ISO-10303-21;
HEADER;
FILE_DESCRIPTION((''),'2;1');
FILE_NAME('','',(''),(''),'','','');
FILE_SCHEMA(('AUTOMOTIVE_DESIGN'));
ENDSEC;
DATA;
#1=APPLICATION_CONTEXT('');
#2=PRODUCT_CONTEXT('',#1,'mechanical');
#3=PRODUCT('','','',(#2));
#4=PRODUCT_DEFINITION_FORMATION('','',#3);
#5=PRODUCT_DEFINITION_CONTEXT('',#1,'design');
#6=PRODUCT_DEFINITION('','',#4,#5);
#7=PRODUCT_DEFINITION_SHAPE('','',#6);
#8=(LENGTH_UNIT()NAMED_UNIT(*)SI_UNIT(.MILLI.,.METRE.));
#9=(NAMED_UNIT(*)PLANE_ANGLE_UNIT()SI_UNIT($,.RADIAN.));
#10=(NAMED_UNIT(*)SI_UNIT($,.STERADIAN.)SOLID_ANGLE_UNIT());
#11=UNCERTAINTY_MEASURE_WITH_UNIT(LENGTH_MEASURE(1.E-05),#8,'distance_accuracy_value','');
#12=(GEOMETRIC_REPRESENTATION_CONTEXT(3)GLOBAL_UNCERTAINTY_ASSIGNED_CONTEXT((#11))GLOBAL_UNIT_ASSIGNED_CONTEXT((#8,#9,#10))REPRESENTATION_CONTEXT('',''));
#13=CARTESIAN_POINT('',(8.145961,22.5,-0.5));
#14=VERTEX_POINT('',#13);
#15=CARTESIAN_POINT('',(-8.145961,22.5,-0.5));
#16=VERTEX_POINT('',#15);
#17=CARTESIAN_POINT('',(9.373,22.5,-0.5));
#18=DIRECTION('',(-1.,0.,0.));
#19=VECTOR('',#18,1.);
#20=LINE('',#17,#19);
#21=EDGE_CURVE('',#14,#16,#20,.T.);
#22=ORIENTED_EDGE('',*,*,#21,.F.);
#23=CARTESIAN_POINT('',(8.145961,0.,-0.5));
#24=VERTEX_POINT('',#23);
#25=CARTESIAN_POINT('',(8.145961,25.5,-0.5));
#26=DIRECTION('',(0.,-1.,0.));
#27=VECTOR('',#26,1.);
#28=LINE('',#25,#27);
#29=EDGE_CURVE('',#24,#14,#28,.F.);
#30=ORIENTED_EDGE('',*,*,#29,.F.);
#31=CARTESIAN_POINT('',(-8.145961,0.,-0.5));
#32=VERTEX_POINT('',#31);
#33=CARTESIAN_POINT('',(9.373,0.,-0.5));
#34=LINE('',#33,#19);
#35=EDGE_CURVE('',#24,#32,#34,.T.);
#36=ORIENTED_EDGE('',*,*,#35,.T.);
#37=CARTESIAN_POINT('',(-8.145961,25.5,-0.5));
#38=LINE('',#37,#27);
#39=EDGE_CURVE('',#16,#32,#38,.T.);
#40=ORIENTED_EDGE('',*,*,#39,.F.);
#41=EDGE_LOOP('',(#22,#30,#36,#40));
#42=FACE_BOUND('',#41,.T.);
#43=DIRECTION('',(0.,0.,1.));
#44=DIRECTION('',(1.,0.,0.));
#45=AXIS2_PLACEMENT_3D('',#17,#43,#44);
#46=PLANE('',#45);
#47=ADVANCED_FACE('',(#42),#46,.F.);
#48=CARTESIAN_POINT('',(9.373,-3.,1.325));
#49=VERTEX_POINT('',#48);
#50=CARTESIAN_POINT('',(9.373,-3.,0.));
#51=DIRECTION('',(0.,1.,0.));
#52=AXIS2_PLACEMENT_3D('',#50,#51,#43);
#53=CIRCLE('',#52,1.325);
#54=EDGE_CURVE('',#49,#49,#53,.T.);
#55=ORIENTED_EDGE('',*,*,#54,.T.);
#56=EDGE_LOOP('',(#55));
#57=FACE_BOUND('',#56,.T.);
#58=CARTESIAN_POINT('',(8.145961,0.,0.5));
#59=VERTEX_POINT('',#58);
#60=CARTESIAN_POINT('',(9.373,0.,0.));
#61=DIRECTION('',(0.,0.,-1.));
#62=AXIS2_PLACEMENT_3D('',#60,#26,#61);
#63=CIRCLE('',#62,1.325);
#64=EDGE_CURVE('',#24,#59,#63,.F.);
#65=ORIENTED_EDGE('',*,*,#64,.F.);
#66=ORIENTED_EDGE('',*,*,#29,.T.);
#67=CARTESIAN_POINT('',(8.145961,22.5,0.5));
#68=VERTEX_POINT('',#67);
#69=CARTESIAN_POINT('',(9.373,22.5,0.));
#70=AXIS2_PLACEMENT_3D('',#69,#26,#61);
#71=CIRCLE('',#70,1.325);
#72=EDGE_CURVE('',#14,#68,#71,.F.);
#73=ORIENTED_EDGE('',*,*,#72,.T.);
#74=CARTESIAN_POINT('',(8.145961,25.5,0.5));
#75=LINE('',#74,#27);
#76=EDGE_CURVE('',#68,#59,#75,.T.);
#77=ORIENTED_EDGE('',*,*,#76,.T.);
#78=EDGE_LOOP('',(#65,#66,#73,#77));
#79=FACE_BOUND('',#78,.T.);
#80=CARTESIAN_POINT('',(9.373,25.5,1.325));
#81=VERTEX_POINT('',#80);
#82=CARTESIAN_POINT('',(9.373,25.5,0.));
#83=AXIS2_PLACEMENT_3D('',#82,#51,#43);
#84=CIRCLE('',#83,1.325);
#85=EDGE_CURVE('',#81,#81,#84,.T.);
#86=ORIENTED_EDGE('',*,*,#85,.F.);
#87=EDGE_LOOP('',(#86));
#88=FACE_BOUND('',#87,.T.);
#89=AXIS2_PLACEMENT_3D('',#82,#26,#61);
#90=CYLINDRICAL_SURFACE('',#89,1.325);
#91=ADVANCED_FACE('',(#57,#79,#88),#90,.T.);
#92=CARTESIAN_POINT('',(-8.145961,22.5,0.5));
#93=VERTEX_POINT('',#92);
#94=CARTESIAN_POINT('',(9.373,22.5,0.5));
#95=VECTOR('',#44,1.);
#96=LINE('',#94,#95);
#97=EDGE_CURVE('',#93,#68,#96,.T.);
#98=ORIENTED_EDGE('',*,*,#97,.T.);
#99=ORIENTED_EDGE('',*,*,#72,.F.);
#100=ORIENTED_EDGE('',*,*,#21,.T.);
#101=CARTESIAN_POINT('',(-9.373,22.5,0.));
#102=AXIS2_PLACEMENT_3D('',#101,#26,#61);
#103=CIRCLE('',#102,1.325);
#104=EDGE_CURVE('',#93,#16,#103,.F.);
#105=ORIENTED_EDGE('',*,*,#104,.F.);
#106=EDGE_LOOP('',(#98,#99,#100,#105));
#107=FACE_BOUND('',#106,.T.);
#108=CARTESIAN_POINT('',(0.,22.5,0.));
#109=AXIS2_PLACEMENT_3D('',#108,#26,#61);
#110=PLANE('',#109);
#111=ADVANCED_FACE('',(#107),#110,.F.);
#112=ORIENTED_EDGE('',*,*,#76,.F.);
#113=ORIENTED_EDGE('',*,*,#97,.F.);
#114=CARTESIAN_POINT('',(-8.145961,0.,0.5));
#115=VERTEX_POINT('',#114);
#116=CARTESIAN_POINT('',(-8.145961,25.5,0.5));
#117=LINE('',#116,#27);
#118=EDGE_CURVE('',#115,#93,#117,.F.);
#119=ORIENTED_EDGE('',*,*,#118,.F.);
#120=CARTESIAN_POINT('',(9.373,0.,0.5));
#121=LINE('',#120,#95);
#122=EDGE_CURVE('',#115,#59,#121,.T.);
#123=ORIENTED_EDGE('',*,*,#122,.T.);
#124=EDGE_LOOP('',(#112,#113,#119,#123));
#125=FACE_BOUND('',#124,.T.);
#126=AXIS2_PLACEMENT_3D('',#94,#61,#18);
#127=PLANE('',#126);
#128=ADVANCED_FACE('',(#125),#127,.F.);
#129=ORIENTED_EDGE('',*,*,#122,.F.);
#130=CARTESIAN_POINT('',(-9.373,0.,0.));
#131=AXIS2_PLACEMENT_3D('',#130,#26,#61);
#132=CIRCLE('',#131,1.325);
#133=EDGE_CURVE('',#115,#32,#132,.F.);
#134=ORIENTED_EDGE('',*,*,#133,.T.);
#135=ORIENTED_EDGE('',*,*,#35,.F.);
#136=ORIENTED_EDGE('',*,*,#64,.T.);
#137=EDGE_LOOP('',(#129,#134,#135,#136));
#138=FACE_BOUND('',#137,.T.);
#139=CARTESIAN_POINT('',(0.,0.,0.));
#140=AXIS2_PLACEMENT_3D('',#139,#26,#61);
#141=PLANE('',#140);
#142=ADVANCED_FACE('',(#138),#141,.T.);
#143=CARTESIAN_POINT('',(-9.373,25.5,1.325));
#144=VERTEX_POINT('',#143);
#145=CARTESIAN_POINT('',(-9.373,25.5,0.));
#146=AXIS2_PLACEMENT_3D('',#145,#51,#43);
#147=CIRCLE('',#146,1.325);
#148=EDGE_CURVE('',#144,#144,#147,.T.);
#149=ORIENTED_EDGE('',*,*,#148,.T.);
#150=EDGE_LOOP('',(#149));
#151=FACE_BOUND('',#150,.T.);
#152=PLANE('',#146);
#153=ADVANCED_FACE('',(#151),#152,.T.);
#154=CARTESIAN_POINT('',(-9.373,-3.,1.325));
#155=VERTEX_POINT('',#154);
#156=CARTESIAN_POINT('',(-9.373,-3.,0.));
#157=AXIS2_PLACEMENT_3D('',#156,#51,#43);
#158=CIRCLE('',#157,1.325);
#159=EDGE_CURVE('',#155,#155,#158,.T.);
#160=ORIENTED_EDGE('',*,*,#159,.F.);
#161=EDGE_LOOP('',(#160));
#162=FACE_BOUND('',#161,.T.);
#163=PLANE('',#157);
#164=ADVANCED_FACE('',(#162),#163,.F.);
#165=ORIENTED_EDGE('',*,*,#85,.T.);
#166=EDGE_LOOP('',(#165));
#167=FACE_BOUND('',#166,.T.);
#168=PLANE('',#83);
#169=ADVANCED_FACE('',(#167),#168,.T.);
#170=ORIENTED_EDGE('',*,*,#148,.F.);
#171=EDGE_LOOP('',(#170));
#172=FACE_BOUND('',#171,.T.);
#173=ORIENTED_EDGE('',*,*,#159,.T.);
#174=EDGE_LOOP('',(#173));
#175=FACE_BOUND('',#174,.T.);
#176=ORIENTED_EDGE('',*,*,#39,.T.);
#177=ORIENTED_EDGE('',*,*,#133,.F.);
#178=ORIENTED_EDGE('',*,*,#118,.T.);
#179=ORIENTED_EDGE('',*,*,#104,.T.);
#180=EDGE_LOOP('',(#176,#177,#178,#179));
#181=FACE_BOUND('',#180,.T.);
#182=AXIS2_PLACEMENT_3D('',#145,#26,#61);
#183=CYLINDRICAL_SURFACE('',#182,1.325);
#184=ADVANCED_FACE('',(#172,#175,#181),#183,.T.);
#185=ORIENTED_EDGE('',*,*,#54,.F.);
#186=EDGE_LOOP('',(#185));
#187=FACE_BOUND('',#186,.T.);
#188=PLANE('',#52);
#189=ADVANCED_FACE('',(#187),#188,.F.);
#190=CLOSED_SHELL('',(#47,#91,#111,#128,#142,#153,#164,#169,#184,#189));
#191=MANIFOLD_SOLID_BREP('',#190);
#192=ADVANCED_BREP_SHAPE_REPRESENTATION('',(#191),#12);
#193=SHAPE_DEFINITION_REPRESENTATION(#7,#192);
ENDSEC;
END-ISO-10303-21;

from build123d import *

# Parameters (mm, degrees)
SKETCH1_W           = 18.746
SKETCH1_H           = 1
BOSS_EXTRUDE1_DEPTH = 22.5
SKETCH2_R           = 1.325
BOSS_EXTRUDE2_DEPTH = 14.25


with BuildPart() as part:
    # Sketch1 → Boss-Extrude1 (new body)
    with BuildSketch(Plane(origin=(0, 0, 0), x_dir=(1, 0, 0), z_dir=(0, 1, 0))):
        Rectangle(SKETCH1_W, SKETCH1_H)
    extrude(amount=BOSS_EXTRUDE1_DEPTH)

    # Sketch2 → Boss-Extrude2 (add, symmetric)
    with BuildSketch(Plane(origin=(0, 11.25, 0), x_dir=(1, 0, 0), z_dir=(0, 1, 0))):
        with Locations(Location((-9.373, 0, 0), (0, 0, 270))):
            Circle(SKETCH2_R)
        with Locations(Location((9.373, 0, 0), (0, 0, 270))):
            Circle(SKETCH2_R)
    extrude(amount=BOSS_EXTRUDE2_DEPTH, both=True)


solid = part.part
